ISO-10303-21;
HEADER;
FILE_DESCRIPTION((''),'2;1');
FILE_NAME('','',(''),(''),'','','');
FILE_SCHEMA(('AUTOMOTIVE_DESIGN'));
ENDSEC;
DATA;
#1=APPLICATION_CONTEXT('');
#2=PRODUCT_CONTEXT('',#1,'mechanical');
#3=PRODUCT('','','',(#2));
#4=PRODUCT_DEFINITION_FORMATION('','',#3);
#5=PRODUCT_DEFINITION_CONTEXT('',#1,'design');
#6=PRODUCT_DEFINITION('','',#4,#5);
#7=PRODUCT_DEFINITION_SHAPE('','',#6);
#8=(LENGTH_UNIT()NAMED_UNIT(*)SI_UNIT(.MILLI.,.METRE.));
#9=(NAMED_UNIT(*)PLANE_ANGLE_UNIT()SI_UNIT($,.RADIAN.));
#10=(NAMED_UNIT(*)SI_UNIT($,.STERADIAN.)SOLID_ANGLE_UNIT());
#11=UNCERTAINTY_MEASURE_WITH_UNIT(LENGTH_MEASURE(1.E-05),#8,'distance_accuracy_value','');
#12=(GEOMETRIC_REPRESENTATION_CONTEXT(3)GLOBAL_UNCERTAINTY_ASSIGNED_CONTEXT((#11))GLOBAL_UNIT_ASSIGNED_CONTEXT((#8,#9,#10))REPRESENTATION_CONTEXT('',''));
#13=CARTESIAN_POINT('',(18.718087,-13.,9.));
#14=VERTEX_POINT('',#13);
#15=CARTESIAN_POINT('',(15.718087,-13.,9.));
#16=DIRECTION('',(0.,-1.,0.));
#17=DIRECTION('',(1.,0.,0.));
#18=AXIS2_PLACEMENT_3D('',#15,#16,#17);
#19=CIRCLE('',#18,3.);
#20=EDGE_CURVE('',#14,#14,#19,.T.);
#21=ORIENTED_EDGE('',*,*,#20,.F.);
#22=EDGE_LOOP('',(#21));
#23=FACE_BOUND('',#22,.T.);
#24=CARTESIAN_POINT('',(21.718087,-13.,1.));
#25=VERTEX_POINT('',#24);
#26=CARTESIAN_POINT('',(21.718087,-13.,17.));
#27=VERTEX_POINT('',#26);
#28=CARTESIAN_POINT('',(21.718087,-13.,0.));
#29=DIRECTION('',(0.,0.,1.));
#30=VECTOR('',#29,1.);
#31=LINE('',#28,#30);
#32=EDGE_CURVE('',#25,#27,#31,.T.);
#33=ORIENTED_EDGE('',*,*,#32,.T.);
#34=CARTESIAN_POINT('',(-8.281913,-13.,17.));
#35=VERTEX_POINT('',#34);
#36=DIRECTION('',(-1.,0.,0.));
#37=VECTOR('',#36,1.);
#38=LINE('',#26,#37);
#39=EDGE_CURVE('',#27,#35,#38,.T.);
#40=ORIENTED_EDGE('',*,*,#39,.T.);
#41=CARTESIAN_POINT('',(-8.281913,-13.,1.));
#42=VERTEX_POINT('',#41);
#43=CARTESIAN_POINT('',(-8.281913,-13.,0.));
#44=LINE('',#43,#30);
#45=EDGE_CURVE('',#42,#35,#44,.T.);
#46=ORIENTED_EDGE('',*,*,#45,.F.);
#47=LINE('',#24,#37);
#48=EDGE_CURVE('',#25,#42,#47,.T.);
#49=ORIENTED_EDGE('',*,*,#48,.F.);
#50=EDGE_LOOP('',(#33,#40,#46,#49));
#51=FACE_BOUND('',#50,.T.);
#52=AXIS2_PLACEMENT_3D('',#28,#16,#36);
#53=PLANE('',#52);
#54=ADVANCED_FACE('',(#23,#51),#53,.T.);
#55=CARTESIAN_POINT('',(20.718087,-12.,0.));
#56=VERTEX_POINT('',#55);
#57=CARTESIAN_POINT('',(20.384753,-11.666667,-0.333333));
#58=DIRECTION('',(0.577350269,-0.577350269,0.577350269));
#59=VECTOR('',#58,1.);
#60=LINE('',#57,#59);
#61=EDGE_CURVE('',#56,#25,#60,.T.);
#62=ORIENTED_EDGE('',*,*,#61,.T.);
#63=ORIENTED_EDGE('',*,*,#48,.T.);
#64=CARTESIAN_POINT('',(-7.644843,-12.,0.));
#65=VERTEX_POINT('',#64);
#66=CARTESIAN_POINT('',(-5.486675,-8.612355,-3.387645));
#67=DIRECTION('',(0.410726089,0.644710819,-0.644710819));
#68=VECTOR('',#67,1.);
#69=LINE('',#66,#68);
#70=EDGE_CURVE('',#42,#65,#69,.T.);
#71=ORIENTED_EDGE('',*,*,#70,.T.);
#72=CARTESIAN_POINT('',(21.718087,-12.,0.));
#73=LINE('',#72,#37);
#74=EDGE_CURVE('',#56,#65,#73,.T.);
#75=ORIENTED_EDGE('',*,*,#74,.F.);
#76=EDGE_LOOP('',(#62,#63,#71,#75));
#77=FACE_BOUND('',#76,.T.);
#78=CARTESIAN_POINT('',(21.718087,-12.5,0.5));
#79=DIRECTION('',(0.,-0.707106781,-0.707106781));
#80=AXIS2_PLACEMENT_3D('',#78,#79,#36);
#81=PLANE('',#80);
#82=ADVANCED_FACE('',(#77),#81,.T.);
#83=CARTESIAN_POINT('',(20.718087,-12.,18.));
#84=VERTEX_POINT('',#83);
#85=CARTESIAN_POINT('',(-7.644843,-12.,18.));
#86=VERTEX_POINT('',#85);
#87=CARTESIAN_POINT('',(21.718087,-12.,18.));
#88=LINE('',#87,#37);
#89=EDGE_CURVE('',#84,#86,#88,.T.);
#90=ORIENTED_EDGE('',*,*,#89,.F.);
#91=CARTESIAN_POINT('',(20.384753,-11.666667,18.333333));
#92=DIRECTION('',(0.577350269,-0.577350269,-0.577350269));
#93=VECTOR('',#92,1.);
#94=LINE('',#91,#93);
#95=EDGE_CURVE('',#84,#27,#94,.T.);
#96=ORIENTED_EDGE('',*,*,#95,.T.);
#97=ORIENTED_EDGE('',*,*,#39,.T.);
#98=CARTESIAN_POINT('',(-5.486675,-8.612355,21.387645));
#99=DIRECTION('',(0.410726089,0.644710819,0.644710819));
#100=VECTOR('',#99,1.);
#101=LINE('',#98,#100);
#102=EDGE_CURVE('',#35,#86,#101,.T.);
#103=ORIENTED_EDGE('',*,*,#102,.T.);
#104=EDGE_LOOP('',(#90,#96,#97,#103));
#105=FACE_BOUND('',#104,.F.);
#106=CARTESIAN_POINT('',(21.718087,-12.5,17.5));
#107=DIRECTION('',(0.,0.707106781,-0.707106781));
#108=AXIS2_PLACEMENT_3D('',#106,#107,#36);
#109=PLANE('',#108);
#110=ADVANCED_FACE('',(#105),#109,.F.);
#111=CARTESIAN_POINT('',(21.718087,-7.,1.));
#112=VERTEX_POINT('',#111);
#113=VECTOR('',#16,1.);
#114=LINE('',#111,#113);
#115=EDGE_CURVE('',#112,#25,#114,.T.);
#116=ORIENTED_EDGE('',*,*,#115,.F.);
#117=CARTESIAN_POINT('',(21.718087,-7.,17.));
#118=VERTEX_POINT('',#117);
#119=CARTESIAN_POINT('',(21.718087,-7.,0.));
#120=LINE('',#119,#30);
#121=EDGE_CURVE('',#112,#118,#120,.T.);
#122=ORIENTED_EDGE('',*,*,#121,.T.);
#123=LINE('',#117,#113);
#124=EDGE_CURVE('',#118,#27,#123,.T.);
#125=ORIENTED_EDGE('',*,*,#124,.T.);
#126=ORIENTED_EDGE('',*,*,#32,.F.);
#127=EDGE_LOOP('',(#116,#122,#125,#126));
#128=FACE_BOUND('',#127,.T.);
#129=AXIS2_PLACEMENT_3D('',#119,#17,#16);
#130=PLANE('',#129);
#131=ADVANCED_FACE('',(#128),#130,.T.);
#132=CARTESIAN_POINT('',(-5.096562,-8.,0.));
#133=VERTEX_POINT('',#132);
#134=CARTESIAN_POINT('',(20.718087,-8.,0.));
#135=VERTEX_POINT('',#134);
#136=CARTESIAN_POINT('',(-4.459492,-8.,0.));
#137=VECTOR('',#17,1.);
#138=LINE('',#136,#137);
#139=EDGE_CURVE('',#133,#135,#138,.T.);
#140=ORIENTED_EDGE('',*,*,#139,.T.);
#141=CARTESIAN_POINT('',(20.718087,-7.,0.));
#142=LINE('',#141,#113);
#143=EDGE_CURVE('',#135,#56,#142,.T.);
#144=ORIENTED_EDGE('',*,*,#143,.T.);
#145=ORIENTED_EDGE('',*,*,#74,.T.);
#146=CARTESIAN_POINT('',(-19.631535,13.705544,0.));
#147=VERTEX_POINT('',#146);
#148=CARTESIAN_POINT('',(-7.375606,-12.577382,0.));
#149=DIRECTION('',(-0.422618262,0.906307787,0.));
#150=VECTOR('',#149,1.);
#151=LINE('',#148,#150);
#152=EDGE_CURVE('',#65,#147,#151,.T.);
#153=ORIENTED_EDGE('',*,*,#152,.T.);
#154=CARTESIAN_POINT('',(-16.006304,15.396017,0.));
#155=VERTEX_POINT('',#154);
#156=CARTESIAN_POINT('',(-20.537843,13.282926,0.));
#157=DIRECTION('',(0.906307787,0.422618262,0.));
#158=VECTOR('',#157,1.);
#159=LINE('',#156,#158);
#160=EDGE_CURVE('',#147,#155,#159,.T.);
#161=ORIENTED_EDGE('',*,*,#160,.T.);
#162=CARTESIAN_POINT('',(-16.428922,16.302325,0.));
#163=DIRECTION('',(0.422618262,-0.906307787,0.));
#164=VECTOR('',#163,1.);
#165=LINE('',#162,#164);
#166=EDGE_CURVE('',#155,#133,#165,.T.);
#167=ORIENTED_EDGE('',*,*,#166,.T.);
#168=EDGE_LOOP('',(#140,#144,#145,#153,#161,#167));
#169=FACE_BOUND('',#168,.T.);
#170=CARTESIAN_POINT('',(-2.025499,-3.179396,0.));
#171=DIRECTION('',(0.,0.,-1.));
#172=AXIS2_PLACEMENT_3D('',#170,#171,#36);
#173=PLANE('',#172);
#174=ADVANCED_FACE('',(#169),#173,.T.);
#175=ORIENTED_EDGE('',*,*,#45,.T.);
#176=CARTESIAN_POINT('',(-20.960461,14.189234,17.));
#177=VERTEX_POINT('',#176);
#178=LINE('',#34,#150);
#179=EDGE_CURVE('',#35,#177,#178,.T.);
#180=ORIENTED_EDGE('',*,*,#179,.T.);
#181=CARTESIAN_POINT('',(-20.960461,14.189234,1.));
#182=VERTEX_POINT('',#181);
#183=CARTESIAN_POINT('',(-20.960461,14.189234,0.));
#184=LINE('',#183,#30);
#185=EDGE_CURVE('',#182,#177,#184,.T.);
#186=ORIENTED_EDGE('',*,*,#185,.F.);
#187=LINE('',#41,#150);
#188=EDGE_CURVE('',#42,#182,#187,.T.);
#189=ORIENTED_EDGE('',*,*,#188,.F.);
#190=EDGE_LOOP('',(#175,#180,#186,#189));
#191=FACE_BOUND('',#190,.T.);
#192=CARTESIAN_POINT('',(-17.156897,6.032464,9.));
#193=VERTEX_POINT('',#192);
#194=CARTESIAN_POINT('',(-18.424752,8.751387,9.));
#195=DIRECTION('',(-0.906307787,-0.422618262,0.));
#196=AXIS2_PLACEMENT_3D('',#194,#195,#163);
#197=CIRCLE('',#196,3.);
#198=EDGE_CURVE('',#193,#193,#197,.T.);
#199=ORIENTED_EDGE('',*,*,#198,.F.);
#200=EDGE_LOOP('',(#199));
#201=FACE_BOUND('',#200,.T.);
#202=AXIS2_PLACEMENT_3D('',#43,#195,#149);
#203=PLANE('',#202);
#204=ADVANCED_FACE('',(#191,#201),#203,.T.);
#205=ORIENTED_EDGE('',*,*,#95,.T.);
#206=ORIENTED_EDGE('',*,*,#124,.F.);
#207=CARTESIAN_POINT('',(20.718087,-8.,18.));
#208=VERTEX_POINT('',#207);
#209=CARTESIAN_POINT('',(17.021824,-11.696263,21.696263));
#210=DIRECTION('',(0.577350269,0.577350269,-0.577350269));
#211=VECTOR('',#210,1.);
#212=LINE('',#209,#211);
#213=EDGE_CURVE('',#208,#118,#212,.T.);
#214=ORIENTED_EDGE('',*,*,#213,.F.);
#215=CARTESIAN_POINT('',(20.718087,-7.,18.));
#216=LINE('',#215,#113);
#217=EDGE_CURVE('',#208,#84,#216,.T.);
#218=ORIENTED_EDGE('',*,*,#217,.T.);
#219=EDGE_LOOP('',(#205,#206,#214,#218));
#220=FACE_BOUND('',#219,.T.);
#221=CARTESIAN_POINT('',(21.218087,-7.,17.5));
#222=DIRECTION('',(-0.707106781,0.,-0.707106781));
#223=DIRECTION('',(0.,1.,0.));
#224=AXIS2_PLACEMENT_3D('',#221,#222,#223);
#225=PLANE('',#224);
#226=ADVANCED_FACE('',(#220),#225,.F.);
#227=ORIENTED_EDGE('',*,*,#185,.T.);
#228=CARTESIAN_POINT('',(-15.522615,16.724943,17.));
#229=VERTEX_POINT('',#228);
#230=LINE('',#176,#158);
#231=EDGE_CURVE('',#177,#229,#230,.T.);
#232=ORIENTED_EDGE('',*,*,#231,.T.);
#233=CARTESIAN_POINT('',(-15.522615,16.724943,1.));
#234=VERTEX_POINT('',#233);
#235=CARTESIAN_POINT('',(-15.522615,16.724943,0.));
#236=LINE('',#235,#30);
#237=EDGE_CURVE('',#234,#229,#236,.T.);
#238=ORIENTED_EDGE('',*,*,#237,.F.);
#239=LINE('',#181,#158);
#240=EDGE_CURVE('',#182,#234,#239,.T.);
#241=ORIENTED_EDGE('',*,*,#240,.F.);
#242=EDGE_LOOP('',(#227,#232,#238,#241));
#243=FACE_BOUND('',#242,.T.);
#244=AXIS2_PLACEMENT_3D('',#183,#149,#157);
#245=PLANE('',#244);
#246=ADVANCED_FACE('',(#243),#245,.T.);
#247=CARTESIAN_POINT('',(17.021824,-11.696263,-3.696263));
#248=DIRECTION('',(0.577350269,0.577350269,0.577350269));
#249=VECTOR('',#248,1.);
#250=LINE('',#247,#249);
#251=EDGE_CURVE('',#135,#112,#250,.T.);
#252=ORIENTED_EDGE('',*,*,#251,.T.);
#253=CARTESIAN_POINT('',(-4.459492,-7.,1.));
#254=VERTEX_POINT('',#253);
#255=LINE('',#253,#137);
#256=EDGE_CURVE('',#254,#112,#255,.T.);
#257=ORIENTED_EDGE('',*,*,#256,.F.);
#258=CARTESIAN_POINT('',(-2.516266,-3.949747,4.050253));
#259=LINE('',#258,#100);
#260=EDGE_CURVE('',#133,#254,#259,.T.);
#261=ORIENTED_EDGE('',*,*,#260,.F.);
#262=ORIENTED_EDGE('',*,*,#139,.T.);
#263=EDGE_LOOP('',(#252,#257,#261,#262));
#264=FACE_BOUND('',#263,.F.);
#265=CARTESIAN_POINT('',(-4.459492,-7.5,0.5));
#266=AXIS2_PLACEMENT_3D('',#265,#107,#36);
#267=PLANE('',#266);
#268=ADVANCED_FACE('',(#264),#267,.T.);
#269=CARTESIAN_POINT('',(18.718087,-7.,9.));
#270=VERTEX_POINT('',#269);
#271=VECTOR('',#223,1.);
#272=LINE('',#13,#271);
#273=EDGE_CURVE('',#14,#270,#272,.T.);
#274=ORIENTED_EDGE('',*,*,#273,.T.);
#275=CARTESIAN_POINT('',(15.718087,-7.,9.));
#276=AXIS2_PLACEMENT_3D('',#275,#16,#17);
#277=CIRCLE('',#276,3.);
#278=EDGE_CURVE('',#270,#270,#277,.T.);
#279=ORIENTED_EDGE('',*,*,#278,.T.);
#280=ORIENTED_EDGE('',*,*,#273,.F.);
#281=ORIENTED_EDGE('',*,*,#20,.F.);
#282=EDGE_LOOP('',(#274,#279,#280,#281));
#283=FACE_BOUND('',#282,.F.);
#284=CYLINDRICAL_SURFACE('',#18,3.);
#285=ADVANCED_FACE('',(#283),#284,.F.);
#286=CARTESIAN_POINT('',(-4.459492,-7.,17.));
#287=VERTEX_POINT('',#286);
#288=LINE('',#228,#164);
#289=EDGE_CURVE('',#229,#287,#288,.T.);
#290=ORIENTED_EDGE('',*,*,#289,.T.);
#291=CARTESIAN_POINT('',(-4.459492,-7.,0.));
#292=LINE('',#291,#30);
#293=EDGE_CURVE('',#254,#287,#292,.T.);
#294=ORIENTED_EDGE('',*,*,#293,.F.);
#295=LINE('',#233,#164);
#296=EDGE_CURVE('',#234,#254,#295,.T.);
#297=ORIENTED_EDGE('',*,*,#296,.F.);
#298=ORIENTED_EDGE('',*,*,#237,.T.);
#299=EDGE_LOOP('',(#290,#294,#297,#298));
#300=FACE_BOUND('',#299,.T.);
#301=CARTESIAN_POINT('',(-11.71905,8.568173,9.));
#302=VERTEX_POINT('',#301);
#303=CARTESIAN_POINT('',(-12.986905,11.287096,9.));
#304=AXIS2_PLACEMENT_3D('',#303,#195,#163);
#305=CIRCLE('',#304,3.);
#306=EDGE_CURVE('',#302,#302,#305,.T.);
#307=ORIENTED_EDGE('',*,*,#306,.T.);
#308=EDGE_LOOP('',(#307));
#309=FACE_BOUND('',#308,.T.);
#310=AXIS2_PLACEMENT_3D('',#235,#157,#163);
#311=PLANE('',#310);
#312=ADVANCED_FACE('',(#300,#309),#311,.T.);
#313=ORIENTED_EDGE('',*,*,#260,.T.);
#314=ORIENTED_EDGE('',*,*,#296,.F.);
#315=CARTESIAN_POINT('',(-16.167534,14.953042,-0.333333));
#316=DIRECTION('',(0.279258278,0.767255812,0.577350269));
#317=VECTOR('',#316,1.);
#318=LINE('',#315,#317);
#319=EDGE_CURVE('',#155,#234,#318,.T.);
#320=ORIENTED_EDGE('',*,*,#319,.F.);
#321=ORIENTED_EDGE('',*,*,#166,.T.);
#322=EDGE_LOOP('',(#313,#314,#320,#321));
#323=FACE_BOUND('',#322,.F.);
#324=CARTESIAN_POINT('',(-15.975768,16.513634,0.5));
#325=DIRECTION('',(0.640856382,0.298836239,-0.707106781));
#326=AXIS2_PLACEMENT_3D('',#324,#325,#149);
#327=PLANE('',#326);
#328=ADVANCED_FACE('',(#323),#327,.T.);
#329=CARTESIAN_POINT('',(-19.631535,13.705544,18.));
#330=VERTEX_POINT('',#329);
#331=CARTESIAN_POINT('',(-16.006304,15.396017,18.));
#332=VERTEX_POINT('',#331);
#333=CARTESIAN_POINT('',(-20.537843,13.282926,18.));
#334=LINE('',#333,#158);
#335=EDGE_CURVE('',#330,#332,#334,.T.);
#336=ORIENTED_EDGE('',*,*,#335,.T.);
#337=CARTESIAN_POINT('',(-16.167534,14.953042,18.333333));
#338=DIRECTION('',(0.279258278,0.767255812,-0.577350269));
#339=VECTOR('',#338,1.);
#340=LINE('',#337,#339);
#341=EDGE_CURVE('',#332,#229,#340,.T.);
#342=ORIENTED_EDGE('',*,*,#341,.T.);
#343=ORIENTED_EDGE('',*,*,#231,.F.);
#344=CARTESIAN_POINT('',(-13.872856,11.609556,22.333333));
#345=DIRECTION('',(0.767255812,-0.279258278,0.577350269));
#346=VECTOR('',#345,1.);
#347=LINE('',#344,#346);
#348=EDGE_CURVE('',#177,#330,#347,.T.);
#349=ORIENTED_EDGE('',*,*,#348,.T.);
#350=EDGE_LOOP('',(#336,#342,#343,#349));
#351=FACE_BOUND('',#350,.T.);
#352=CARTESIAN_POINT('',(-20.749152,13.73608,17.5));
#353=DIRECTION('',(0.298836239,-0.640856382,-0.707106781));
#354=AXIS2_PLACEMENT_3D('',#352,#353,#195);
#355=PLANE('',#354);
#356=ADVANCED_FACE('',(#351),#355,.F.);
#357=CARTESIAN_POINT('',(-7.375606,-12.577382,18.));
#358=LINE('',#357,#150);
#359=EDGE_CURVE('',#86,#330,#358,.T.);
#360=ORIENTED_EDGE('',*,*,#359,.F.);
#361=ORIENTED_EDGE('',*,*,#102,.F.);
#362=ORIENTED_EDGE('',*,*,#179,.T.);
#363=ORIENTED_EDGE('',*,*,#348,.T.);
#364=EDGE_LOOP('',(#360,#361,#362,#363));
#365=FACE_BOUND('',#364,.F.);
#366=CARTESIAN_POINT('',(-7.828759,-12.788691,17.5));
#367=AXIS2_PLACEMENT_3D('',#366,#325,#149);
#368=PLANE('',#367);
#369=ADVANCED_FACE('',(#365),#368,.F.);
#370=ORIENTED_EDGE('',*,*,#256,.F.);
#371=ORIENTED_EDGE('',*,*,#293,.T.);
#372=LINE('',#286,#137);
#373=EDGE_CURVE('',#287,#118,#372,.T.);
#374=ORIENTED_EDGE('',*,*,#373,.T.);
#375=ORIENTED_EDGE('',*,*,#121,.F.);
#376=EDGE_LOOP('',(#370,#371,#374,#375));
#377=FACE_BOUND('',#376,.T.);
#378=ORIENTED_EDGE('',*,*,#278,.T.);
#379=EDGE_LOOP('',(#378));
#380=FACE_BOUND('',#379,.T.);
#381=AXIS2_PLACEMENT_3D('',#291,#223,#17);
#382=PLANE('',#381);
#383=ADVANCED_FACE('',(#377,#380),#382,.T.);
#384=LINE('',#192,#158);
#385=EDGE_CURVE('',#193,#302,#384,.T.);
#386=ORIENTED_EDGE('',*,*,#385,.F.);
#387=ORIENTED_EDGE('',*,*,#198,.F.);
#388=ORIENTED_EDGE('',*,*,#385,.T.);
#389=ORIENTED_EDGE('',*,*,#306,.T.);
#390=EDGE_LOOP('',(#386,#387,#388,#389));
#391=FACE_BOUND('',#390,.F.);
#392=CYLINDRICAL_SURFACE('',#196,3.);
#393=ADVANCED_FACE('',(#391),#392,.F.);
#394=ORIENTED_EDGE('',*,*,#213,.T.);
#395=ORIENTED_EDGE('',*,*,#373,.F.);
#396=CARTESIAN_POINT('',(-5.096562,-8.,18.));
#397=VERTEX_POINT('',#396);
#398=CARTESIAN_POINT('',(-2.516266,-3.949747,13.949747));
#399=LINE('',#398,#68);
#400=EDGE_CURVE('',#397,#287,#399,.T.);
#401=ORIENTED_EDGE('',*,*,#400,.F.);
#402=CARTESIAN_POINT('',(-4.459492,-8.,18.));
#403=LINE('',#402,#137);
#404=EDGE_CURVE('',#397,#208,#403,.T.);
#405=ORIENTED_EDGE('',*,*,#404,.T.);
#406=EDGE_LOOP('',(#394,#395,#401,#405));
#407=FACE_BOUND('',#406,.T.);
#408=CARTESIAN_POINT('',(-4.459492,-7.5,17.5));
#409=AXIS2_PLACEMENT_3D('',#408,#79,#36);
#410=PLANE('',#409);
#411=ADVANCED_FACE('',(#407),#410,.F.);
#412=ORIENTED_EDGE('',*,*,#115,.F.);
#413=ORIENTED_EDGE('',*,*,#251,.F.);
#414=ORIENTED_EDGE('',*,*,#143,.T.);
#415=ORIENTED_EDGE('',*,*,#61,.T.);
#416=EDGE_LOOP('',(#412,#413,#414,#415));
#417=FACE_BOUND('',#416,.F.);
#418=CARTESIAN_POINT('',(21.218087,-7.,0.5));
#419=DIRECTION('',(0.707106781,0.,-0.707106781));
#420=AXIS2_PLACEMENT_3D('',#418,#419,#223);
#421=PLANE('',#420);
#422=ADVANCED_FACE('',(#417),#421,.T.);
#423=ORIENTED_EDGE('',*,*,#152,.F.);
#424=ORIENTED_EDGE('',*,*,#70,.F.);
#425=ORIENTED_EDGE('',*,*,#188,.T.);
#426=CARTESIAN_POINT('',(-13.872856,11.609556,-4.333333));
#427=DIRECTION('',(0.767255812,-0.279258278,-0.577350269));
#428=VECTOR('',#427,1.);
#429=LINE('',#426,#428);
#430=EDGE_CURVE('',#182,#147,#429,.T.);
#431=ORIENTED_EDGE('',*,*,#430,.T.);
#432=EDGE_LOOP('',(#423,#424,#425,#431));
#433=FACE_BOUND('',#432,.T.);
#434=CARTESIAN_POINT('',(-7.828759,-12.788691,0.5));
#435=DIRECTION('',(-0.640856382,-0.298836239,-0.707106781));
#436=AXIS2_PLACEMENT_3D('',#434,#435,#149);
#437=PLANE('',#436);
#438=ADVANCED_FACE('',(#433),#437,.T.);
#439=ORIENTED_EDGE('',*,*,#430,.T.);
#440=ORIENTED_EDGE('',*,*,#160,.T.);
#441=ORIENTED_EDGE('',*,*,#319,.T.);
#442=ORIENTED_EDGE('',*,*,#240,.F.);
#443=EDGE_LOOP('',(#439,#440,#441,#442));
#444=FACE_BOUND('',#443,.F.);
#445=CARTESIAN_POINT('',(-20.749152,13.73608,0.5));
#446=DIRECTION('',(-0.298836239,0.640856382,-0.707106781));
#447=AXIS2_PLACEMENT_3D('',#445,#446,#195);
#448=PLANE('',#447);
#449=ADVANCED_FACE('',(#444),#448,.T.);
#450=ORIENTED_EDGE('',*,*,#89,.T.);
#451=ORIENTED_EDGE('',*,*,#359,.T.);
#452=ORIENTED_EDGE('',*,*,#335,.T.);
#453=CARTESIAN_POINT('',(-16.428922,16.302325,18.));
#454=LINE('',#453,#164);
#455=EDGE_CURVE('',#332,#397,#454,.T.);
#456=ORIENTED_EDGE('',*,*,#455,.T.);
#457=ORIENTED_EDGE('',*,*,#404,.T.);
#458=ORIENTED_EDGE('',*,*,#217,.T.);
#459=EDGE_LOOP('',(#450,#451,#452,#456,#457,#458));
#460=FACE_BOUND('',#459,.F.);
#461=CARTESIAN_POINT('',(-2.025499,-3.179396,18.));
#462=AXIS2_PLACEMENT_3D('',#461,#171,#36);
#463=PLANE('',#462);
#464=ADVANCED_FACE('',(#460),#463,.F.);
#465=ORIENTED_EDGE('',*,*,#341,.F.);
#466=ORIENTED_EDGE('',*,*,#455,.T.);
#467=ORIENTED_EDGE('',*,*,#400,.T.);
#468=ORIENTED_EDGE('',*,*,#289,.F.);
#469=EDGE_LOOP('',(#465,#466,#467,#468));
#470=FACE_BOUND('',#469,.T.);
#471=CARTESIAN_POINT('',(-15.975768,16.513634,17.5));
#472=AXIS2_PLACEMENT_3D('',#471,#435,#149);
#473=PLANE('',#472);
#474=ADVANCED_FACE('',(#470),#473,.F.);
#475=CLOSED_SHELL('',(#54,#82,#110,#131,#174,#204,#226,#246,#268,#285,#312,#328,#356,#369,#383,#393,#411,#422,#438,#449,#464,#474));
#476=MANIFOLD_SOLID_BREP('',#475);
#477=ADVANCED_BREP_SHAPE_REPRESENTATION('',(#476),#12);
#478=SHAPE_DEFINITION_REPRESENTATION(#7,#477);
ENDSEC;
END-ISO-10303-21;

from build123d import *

# Parameters (mm, degrees)
PAD_DEPTH       = 18
SKETCH001_R     = 3
POCKET_DEPTH    = 39.7525374288
SKETCH002_R     = 3
POCKET001_DEPTH = 29.7259431815
CHAMFER_SIZE    = 1


with BuildPart() as part:
    # Sketch → Pad (new body)
    with BuildSketch(Plane.XY):
        Polygon((-8.2819133905, -13), (-20.9604612427, 14.1892336111), (-15.5226145205, 16.7249431815), (-4.4594918257, -7), (21.7180866095, -7), (21.7180866095, -13), align=None)
    extrude(amount=PAD_DEPTH)

    # Sketch001 (on Face1 of Pad) → Pocket (cut, through all)
    with BuildSketch(Plane(origin=(-11.7820012315, -5.4940374026, 0), x_dir=(0.4226182617, -0.906307787, 0), z_dir=(-0.906307787, -0.4226182617, 0))):
        with Locations((-15.7180866095, 9)):
            Circle(SKETCH001_R)
    extrude(amount=-POCKET_DEPTH, mode=Mode.SUBTRACT)

    # Sketch002 (on Face2 of Pocket) → Pocket001 (cut, through all)
    with BuildSketch(Plane.XZ.offset(13)):
        with Locations((15.7180866095, 9)):
            Circle(SKETCH002_R)
    extrude(amount=-POCKET001_DEPTH, mode=Mode.SUBTRACT)

    # Chamfer
    chamfer_edges = [part.edges().sort_by_distance(p)[0] for p in [
        (-14.621187, 0.594617, 18),
        (-18.241538, 15.457088, 18),
        (-9.991053, 4.862472, 18),
        (8.629297, -7, 18),
        (21.718087, -10, 18),
        (6.718087, -13, 18),
        (-14.621187, 0.594617, 0),
        (-18.241538, 15.457088, 0),
        (-9.991053, 4.862472, 0),
        (8.629297, -7, 0),
        (21.718087, -10, 0),
        (6.718087, -13, 0),
    ]]
    chamfer(chamfer_edges, length=CHAMFER_SIZE)


solid = part.part
